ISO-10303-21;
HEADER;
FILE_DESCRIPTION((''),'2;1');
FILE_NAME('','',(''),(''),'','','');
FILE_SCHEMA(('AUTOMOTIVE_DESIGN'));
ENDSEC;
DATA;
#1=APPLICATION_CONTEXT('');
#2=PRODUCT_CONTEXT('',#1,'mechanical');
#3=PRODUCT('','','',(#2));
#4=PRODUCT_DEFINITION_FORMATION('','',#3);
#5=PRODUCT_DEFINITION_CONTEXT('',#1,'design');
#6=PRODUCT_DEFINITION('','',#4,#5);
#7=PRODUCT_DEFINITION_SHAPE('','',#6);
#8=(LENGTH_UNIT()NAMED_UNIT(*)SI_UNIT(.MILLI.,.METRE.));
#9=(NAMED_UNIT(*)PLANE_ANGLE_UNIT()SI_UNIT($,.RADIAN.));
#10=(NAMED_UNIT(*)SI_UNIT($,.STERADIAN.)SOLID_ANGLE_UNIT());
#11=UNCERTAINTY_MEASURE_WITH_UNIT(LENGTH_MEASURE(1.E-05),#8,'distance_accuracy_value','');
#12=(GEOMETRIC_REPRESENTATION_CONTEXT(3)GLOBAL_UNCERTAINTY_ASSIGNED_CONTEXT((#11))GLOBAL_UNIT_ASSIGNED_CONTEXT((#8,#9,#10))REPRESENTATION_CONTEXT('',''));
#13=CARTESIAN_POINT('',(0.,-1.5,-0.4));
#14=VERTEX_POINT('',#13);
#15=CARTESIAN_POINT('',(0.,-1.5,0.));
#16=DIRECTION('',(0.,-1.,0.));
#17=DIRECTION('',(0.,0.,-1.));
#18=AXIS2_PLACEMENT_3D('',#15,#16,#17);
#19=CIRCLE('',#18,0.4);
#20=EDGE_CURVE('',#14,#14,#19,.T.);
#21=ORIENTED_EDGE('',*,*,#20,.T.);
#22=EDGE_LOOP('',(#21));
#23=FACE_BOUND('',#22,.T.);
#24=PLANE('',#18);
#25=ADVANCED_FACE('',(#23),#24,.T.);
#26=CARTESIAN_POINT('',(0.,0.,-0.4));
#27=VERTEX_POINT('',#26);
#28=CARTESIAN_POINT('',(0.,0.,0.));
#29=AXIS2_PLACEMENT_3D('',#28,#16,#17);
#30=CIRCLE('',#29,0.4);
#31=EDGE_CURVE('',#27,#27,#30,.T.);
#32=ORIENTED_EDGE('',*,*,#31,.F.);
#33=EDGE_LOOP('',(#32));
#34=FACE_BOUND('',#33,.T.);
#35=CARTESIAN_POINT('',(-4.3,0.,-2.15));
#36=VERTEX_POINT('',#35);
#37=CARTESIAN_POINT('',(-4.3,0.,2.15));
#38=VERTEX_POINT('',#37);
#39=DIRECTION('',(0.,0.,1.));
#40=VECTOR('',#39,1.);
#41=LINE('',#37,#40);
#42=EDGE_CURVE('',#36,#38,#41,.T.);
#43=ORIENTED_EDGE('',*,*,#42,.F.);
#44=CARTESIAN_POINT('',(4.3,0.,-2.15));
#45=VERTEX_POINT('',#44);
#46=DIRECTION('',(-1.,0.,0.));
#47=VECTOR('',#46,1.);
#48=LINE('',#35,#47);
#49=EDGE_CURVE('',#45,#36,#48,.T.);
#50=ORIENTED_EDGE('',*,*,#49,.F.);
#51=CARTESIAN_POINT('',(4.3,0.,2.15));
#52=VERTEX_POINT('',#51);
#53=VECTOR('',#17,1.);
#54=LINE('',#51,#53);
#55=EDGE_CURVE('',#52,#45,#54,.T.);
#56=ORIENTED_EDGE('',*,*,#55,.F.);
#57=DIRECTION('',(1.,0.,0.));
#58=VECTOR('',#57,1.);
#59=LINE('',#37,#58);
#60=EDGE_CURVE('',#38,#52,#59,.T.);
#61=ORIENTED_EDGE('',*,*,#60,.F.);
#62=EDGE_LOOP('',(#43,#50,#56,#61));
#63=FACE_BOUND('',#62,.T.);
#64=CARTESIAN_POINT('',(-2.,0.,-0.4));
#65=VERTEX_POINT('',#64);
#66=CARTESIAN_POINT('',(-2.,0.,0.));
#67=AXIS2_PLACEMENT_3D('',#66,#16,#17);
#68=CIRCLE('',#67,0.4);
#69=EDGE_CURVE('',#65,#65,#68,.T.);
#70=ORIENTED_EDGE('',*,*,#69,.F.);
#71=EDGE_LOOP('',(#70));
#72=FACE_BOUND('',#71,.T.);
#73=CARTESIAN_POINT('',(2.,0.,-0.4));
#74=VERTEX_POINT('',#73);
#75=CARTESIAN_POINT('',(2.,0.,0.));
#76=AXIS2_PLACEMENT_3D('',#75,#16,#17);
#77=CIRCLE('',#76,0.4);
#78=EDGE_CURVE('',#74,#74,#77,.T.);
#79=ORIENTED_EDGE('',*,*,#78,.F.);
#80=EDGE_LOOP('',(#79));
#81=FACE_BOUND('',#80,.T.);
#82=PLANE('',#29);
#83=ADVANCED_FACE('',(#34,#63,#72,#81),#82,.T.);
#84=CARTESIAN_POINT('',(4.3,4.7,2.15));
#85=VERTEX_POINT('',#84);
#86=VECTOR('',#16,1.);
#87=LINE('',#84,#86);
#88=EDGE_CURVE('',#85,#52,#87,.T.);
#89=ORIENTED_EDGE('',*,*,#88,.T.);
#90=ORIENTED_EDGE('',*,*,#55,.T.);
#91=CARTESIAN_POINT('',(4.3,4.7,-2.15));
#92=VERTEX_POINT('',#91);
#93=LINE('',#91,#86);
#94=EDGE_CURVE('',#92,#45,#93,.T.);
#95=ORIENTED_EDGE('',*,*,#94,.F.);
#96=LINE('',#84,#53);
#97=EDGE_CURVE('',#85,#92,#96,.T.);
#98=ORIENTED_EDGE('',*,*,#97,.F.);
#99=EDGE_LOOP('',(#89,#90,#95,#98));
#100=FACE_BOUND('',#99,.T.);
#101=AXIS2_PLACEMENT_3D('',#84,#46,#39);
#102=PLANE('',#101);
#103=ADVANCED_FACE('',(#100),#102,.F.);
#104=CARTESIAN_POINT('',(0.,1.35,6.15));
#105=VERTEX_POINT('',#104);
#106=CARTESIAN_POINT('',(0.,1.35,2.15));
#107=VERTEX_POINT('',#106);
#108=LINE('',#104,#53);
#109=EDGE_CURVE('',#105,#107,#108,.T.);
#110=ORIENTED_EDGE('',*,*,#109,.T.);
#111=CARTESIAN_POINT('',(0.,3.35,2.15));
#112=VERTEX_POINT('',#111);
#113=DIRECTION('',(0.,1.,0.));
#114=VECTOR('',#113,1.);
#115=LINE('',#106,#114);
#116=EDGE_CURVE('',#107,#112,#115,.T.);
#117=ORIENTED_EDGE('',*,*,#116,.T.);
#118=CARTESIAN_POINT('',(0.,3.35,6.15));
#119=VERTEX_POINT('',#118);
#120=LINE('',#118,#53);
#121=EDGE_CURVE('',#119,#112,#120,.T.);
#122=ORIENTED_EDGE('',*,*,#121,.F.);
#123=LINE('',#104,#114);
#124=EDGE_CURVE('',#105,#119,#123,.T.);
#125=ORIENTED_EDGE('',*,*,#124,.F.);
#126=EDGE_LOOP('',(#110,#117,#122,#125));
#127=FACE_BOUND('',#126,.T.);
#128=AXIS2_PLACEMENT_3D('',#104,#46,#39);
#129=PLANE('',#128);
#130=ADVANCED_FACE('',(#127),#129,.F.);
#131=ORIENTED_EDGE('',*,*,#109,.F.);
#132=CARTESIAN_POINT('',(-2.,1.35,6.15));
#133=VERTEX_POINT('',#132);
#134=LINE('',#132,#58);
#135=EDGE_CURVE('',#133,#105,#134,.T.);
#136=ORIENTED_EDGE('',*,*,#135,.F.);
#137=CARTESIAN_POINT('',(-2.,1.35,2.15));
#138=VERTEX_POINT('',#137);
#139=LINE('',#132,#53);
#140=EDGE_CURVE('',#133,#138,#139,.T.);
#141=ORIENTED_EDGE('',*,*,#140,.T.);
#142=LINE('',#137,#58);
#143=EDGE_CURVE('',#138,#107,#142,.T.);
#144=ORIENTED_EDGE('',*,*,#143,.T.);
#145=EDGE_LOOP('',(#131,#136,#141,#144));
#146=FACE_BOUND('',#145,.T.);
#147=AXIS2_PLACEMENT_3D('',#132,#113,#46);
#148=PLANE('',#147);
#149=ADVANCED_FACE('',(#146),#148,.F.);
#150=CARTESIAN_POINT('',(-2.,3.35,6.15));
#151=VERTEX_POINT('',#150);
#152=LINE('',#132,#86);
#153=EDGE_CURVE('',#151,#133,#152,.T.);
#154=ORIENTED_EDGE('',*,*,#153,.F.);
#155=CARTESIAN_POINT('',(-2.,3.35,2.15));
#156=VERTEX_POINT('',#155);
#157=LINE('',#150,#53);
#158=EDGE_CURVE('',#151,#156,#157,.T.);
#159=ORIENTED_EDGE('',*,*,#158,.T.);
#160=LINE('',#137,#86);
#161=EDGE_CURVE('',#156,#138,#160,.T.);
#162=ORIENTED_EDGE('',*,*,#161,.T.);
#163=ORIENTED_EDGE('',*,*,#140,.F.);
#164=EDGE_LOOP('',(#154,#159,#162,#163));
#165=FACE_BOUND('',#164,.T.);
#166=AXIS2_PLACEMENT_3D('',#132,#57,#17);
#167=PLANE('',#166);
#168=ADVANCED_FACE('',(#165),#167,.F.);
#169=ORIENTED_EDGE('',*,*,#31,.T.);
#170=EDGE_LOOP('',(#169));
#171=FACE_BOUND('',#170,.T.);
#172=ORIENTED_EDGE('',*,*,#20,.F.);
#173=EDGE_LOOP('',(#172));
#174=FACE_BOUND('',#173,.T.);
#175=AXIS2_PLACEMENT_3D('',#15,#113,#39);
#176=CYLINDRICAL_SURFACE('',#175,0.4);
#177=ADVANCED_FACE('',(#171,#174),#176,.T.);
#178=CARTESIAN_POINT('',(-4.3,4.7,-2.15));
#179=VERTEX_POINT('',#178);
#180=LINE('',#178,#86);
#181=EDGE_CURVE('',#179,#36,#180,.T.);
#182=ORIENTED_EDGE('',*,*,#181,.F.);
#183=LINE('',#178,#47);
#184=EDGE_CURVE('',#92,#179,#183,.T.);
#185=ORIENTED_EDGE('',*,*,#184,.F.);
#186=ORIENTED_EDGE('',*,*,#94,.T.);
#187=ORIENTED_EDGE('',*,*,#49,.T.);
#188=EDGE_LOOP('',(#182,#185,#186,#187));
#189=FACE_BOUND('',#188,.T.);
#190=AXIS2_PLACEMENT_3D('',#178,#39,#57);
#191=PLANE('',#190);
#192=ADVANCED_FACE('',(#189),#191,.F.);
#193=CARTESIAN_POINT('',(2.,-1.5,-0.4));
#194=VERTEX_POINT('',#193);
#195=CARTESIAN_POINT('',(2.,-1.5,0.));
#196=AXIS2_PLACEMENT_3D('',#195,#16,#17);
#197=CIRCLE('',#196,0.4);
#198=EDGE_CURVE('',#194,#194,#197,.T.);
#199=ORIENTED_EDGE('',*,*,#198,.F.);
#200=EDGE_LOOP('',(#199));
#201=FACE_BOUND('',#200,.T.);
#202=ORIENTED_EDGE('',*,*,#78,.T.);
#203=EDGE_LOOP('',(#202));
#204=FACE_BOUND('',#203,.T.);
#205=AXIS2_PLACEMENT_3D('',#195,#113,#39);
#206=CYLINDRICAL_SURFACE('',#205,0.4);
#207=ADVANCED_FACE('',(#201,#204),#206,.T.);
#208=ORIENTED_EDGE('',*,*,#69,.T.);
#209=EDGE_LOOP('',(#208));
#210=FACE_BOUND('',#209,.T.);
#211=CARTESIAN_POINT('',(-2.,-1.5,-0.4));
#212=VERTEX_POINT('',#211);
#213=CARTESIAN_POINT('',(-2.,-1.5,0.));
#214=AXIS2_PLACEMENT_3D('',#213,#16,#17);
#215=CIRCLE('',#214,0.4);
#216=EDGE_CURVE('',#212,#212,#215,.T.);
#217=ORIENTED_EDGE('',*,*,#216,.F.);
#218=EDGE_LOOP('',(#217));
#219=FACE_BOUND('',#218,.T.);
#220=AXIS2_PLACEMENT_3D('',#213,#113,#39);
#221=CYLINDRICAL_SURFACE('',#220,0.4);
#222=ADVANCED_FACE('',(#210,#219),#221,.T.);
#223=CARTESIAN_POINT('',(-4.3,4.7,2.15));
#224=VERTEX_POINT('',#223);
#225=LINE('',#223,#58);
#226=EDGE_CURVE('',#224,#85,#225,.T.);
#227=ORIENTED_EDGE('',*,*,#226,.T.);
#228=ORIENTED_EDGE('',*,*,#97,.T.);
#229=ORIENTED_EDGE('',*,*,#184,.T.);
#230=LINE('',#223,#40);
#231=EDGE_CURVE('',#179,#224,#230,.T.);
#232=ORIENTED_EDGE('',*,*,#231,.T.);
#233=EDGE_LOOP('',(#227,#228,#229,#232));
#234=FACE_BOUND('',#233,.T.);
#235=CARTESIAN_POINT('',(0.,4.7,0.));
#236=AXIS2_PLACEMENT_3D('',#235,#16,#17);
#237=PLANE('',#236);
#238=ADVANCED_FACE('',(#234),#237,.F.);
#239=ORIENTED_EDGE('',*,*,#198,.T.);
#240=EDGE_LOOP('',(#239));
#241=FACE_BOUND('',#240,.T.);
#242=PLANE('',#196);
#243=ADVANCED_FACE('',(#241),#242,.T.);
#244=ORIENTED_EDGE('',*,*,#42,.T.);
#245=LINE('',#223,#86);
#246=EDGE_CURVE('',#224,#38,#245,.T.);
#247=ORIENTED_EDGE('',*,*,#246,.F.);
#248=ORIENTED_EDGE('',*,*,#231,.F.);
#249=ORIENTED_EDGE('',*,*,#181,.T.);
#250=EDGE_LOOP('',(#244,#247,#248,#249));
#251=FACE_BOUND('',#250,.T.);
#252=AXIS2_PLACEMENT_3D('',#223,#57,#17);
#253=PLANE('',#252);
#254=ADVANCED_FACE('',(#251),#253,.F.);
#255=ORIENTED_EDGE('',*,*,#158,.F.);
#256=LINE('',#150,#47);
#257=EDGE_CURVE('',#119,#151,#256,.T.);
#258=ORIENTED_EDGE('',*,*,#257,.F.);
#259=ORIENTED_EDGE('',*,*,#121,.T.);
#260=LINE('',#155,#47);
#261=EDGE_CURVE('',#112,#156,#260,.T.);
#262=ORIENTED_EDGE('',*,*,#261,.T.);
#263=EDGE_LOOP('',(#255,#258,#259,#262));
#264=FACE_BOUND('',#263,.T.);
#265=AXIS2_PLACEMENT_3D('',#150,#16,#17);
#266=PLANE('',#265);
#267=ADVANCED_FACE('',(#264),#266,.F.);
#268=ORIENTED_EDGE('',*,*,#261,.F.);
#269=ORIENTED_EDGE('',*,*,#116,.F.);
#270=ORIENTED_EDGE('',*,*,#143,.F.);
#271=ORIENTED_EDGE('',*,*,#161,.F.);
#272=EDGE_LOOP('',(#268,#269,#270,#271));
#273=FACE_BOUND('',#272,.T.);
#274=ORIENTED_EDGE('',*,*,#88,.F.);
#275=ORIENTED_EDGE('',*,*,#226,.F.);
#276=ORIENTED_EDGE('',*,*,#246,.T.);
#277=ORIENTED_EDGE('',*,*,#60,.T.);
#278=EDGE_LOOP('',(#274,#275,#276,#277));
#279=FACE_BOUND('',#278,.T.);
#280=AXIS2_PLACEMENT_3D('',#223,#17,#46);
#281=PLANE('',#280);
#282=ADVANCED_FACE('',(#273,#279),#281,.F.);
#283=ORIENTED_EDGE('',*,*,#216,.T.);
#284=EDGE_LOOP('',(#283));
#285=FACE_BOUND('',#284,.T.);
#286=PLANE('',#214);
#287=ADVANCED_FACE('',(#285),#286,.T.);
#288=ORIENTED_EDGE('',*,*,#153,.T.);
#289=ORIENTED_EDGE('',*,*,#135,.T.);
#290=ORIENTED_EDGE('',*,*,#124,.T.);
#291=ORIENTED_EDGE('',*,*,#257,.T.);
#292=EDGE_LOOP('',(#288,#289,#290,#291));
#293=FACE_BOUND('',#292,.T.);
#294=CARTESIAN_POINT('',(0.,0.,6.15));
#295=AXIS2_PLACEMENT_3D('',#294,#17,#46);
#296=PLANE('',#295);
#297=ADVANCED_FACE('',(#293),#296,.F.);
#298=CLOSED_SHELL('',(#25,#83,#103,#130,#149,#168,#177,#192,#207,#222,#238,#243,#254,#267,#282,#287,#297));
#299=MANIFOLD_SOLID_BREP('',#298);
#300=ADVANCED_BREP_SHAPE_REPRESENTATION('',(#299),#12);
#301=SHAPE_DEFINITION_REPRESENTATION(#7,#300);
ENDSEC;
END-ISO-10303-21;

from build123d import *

# Parameters (mm, degrees)
SKETCH1_W           = 8.6
SKETCH1_H           = 4.3
BOSS_EXTRUDE1_DEPTH = 4.7
SKETCH2_W           = 2
SKETCH2_H           = 2
BOSS_EXTRUDE2_DEPTH = 4
SKETCH3_R           = 0.4
BOSS_EXTRUDE3_DEPTH = 1.5


with BuildPart() as part:
    # Sketch1 → Boss-Extrude1 (new body)
    with BuildSketch(Plane(origin=(0, 0, 0), x_dir=(1, 0, 0), z_dir=(0, 1, 0))):
        Rectangle(SKETCH1_W, SKETCH1_H)
    extrude(amount=BOSS_EXTRUDE1_DEPTH)

    # Sketch2 → Boss-Extrude2 (add)
    with BuildSketch(Plane.XY.offset(2.15)):
        with Locations((-1, 2.35)):
            Rectangle(SKETCH2_W, SKETCH2_H)
    extrude(amount=BOSS_EXTRUDE2_DEPTH)

    # Sketch3 → Boss-Extrude3 (add)
    with BuildSketch(Plane.XZ):
        with Locations(Location((-2, 0, 0), (0, 0, 270))):
            Circle(SKETCH3_R)
        with Locations(Location((0, 0, 0), (0, 0, 270))):
            Circle(SKETCH3_R)
        with Locations(Location((2, 0, 0), (0, 0, 270))):
            Circle(SKETCH3_R)
    extrude(amount=BOSS_EXTRUDE3_DEPTH)


solid = part.part
